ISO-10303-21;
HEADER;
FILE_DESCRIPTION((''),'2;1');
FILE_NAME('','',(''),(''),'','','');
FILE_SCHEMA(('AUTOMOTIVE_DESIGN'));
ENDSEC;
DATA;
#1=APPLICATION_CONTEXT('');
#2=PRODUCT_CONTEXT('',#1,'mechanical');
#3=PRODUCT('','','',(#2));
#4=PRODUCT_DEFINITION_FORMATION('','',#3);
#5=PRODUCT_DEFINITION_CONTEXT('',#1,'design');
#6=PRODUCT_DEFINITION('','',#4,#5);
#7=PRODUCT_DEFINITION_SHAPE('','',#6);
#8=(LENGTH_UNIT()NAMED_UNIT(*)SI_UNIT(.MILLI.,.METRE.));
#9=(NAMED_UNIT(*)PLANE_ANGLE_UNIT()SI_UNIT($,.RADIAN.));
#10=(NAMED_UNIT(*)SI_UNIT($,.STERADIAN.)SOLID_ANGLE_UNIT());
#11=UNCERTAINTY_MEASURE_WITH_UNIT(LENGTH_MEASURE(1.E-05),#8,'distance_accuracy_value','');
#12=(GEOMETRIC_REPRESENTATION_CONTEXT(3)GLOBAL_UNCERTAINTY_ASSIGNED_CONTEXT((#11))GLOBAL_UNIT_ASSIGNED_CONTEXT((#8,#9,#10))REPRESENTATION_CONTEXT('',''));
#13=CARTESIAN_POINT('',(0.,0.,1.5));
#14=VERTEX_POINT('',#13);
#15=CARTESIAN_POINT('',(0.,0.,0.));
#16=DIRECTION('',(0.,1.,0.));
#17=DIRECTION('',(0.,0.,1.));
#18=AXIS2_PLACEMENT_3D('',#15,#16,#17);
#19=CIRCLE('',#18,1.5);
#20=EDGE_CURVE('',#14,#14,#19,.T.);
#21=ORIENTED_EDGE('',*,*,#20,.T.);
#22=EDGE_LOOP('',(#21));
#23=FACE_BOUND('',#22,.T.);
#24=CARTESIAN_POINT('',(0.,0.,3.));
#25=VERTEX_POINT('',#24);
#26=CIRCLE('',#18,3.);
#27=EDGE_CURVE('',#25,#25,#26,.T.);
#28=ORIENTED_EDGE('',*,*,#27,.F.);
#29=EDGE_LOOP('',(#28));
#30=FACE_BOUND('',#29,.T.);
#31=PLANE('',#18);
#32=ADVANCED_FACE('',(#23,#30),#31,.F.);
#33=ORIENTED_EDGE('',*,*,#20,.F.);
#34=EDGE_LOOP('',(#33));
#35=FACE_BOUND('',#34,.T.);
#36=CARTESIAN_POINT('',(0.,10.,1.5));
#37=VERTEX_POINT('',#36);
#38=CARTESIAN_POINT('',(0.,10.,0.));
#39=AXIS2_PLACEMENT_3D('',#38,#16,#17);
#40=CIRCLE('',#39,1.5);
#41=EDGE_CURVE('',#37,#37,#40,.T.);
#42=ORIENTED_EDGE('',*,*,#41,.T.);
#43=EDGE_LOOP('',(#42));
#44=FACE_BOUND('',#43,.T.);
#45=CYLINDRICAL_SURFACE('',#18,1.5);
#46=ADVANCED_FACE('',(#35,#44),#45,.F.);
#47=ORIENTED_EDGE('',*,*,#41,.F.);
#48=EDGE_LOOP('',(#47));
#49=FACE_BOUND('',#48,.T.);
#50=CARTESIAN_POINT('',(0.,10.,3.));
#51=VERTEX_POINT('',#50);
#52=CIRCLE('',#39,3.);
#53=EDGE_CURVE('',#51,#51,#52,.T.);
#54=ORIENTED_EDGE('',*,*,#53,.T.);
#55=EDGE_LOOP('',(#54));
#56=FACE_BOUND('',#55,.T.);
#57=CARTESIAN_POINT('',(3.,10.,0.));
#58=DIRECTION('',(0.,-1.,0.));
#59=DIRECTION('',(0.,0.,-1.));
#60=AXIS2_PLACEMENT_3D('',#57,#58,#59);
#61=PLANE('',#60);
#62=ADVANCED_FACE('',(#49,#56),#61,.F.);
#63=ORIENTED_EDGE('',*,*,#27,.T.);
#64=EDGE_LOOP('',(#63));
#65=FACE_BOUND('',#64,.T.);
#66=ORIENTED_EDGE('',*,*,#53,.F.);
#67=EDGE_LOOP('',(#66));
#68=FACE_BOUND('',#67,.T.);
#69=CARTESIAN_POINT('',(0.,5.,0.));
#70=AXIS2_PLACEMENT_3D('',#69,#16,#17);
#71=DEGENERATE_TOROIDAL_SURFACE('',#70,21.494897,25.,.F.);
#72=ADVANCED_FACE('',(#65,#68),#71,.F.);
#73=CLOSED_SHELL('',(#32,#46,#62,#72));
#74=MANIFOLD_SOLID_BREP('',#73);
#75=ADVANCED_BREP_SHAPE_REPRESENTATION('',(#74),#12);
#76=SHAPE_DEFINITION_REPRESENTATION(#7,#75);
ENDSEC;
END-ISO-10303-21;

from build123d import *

# Parameters (mm, degrees)
SKETCH3_R          = 1.5
CUT_EXTRUDE1_DEPTH = 12.161159952


with BuildPart() as part:
    # Sketch2 → Revolve1 (revolve)
    with BuildSketch(Plane.XY, mode=Mode.PRIVATE) as revolve1_sk:
        with BuildLine():
            Line((0, 0), (3, 0))
            ThreePointArc((3, 0), (3.505102572, 5), (3, 10))
            Line((3, 10), (0, 10))
            Line((0, 10), (0, 0))
        make_face()
    revolve(revolve1_sk.sketch.rotate(Axis((0, 10, 0), (0, -1, 0)), 90), axis=Axis((0, 10, 0), (0, -1, 0)))

    # Sketch3 → Cut-Extrude1 (cut, through all)
    with BuildSketch(Plane(origin=(0, 10, 0), x_dir=(1, 0, 0), z_dir=(0, 1, 0))):
        with Locations(Location((0, 0, 0), (0, 0, 270))):
            Circle(SKETCH3_R)
    extrude(amount=-CUT_EXTRUDE1_DEPTH, mode=Mode.SUBTRACT)


solid = part.part
